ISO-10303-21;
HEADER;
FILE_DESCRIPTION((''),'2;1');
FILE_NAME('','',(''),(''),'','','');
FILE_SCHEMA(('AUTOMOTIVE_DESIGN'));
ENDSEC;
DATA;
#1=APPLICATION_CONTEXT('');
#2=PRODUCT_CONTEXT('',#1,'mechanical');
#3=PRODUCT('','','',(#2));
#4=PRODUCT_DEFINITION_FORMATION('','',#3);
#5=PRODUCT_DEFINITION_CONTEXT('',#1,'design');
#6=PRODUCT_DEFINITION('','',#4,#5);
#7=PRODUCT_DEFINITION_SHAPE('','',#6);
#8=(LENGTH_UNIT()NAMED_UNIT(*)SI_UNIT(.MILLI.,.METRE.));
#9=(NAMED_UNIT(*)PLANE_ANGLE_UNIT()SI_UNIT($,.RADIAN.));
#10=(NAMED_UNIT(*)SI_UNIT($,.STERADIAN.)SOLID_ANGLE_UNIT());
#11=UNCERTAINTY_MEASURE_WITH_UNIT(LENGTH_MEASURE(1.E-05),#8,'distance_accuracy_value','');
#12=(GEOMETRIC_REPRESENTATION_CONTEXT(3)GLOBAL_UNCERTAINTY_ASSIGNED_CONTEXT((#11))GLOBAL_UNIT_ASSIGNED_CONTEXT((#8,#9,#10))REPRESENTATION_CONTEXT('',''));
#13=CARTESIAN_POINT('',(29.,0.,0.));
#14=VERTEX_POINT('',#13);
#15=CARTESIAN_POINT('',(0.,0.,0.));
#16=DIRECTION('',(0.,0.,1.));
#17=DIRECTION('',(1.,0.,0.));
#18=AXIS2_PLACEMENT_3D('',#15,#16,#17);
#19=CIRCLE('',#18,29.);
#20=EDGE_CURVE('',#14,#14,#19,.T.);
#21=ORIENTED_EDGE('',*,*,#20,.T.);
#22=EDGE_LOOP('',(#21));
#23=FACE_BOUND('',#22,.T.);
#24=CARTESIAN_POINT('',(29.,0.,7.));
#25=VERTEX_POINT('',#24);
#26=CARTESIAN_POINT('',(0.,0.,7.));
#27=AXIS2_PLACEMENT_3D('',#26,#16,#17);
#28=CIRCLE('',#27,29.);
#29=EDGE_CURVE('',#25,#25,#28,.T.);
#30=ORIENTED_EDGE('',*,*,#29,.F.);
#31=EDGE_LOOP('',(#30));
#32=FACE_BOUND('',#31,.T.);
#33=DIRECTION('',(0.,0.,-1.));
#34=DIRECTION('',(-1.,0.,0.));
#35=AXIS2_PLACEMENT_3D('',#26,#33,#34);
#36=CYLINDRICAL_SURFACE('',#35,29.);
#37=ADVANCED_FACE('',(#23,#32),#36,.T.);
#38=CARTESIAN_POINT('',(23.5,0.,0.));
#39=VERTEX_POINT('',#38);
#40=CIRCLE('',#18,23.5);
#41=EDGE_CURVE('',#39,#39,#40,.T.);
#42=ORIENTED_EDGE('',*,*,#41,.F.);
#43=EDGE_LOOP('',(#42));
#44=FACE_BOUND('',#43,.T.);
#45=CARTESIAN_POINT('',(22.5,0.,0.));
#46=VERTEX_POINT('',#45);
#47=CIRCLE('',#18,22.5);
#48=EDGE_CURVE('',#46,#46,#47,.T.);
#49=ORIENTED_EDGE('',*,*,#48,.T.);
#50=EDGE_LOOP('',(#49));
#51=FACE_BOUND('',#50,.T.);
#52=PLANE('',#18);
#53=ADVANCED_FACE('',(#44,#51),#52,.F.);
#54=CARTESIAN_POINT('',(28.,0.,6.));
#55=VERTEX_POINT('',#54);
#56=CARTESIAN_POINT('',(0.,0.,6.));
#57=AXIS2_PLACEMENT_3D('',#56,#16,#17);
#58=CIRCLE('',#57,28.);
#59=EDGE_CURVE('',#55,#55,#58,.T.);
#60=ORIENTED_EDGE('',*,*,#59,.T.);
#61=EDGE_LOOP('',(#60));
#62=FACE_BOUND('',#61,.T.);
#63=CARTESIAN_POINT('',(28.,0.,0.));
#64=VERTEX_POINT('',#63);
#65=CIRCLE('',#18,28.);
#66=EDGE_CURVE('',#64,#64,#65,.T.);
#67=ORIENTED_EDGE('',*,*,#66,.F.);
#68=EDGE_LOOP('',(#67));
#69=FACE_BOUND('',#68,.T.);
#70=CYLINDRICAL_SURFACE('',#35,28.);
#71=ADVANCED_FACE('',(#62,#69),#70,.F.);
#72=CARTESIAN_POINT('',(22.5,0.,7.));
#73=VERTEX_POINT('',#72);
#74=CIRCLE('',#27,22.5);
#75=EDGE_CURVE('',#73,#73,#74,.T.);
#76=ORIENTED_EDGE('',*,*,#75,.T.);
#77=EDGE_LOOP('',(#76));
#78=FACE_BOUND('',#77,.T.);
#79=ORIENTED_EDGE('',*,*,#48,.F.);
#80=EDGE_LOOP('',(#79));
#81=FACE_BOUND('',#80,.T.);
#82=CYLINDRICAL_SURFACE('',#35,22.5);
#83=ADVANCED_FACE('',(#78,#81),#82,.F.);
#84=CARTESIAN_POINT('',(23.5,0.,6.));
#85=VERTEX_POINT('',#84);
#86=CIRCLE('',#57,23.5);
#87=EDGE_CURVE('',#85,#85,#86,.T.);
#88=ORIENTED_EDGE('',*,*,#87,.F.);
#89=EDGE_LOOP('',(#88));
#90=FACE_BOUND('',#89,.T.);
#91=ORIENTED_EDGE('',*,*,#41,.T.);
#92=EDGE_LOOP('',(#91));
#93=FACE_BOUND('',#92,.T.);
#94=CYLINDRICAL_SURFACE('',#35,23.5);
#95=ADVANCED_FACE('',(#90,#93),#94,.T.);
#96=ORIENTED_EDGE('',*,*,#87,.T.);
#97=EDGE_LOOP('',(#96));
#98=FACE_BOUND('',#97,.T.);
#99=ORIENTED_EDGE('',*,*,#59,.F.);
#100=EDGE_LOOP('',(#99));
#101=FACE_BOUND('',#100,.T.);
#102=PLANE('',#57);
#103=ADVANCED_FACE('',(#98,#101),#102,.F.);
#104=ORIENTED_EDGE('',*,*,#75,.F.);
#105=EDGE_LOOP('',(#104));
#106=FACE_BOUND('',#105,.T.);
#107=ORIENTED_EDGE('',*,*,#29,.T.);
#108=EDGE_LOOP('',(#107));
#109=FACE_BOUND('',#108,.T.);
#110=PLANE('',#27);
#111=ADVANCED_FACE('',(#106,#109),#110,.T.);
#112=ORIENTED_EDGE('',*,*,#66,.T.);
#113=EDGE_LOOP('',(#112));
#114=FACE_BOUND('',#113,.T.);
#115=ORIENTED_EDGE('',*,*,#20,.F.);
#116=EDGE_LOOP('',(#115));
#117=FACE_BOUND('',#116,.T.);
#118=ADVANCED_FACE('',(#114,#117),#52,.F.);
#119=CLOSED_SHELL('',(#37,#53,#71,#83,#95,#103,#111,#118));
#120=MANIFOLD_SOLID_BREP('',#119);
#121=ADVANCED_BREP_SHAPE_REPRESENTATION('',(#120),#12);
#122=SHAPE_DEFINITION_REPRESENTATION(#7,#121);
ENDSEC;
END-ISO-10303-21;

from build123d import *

# Parameters (mm, degrees)
SKETCH_1_R      = 29
SKETCH_1_R_2    = 22.5
EXTRUDE_1_DEPTH = 7
SHELL_1_T       = -1


with BuildPart() as part:
    # 草图1 → 凸台-拉伸1 (new body)
    with BuildSketch(Plane.XY):
        Circle(SKETCH_1_R)
        Circle(SKETCH_1_R_2, mode=Mode.SUBTRACT)
    extrude(amount=EXTRUDE_1_DEPTH)

    # 抽壳1
    shell_1_openings = [part.faces().sort_by_distance(p)[0] for p in [
        (-28.179756134, 0, 0),
    ]]
    offset(amount=SHELL_1_T, openings=shell_1_openings, kind=Kind.INTERSECTION)


solid = part.part
